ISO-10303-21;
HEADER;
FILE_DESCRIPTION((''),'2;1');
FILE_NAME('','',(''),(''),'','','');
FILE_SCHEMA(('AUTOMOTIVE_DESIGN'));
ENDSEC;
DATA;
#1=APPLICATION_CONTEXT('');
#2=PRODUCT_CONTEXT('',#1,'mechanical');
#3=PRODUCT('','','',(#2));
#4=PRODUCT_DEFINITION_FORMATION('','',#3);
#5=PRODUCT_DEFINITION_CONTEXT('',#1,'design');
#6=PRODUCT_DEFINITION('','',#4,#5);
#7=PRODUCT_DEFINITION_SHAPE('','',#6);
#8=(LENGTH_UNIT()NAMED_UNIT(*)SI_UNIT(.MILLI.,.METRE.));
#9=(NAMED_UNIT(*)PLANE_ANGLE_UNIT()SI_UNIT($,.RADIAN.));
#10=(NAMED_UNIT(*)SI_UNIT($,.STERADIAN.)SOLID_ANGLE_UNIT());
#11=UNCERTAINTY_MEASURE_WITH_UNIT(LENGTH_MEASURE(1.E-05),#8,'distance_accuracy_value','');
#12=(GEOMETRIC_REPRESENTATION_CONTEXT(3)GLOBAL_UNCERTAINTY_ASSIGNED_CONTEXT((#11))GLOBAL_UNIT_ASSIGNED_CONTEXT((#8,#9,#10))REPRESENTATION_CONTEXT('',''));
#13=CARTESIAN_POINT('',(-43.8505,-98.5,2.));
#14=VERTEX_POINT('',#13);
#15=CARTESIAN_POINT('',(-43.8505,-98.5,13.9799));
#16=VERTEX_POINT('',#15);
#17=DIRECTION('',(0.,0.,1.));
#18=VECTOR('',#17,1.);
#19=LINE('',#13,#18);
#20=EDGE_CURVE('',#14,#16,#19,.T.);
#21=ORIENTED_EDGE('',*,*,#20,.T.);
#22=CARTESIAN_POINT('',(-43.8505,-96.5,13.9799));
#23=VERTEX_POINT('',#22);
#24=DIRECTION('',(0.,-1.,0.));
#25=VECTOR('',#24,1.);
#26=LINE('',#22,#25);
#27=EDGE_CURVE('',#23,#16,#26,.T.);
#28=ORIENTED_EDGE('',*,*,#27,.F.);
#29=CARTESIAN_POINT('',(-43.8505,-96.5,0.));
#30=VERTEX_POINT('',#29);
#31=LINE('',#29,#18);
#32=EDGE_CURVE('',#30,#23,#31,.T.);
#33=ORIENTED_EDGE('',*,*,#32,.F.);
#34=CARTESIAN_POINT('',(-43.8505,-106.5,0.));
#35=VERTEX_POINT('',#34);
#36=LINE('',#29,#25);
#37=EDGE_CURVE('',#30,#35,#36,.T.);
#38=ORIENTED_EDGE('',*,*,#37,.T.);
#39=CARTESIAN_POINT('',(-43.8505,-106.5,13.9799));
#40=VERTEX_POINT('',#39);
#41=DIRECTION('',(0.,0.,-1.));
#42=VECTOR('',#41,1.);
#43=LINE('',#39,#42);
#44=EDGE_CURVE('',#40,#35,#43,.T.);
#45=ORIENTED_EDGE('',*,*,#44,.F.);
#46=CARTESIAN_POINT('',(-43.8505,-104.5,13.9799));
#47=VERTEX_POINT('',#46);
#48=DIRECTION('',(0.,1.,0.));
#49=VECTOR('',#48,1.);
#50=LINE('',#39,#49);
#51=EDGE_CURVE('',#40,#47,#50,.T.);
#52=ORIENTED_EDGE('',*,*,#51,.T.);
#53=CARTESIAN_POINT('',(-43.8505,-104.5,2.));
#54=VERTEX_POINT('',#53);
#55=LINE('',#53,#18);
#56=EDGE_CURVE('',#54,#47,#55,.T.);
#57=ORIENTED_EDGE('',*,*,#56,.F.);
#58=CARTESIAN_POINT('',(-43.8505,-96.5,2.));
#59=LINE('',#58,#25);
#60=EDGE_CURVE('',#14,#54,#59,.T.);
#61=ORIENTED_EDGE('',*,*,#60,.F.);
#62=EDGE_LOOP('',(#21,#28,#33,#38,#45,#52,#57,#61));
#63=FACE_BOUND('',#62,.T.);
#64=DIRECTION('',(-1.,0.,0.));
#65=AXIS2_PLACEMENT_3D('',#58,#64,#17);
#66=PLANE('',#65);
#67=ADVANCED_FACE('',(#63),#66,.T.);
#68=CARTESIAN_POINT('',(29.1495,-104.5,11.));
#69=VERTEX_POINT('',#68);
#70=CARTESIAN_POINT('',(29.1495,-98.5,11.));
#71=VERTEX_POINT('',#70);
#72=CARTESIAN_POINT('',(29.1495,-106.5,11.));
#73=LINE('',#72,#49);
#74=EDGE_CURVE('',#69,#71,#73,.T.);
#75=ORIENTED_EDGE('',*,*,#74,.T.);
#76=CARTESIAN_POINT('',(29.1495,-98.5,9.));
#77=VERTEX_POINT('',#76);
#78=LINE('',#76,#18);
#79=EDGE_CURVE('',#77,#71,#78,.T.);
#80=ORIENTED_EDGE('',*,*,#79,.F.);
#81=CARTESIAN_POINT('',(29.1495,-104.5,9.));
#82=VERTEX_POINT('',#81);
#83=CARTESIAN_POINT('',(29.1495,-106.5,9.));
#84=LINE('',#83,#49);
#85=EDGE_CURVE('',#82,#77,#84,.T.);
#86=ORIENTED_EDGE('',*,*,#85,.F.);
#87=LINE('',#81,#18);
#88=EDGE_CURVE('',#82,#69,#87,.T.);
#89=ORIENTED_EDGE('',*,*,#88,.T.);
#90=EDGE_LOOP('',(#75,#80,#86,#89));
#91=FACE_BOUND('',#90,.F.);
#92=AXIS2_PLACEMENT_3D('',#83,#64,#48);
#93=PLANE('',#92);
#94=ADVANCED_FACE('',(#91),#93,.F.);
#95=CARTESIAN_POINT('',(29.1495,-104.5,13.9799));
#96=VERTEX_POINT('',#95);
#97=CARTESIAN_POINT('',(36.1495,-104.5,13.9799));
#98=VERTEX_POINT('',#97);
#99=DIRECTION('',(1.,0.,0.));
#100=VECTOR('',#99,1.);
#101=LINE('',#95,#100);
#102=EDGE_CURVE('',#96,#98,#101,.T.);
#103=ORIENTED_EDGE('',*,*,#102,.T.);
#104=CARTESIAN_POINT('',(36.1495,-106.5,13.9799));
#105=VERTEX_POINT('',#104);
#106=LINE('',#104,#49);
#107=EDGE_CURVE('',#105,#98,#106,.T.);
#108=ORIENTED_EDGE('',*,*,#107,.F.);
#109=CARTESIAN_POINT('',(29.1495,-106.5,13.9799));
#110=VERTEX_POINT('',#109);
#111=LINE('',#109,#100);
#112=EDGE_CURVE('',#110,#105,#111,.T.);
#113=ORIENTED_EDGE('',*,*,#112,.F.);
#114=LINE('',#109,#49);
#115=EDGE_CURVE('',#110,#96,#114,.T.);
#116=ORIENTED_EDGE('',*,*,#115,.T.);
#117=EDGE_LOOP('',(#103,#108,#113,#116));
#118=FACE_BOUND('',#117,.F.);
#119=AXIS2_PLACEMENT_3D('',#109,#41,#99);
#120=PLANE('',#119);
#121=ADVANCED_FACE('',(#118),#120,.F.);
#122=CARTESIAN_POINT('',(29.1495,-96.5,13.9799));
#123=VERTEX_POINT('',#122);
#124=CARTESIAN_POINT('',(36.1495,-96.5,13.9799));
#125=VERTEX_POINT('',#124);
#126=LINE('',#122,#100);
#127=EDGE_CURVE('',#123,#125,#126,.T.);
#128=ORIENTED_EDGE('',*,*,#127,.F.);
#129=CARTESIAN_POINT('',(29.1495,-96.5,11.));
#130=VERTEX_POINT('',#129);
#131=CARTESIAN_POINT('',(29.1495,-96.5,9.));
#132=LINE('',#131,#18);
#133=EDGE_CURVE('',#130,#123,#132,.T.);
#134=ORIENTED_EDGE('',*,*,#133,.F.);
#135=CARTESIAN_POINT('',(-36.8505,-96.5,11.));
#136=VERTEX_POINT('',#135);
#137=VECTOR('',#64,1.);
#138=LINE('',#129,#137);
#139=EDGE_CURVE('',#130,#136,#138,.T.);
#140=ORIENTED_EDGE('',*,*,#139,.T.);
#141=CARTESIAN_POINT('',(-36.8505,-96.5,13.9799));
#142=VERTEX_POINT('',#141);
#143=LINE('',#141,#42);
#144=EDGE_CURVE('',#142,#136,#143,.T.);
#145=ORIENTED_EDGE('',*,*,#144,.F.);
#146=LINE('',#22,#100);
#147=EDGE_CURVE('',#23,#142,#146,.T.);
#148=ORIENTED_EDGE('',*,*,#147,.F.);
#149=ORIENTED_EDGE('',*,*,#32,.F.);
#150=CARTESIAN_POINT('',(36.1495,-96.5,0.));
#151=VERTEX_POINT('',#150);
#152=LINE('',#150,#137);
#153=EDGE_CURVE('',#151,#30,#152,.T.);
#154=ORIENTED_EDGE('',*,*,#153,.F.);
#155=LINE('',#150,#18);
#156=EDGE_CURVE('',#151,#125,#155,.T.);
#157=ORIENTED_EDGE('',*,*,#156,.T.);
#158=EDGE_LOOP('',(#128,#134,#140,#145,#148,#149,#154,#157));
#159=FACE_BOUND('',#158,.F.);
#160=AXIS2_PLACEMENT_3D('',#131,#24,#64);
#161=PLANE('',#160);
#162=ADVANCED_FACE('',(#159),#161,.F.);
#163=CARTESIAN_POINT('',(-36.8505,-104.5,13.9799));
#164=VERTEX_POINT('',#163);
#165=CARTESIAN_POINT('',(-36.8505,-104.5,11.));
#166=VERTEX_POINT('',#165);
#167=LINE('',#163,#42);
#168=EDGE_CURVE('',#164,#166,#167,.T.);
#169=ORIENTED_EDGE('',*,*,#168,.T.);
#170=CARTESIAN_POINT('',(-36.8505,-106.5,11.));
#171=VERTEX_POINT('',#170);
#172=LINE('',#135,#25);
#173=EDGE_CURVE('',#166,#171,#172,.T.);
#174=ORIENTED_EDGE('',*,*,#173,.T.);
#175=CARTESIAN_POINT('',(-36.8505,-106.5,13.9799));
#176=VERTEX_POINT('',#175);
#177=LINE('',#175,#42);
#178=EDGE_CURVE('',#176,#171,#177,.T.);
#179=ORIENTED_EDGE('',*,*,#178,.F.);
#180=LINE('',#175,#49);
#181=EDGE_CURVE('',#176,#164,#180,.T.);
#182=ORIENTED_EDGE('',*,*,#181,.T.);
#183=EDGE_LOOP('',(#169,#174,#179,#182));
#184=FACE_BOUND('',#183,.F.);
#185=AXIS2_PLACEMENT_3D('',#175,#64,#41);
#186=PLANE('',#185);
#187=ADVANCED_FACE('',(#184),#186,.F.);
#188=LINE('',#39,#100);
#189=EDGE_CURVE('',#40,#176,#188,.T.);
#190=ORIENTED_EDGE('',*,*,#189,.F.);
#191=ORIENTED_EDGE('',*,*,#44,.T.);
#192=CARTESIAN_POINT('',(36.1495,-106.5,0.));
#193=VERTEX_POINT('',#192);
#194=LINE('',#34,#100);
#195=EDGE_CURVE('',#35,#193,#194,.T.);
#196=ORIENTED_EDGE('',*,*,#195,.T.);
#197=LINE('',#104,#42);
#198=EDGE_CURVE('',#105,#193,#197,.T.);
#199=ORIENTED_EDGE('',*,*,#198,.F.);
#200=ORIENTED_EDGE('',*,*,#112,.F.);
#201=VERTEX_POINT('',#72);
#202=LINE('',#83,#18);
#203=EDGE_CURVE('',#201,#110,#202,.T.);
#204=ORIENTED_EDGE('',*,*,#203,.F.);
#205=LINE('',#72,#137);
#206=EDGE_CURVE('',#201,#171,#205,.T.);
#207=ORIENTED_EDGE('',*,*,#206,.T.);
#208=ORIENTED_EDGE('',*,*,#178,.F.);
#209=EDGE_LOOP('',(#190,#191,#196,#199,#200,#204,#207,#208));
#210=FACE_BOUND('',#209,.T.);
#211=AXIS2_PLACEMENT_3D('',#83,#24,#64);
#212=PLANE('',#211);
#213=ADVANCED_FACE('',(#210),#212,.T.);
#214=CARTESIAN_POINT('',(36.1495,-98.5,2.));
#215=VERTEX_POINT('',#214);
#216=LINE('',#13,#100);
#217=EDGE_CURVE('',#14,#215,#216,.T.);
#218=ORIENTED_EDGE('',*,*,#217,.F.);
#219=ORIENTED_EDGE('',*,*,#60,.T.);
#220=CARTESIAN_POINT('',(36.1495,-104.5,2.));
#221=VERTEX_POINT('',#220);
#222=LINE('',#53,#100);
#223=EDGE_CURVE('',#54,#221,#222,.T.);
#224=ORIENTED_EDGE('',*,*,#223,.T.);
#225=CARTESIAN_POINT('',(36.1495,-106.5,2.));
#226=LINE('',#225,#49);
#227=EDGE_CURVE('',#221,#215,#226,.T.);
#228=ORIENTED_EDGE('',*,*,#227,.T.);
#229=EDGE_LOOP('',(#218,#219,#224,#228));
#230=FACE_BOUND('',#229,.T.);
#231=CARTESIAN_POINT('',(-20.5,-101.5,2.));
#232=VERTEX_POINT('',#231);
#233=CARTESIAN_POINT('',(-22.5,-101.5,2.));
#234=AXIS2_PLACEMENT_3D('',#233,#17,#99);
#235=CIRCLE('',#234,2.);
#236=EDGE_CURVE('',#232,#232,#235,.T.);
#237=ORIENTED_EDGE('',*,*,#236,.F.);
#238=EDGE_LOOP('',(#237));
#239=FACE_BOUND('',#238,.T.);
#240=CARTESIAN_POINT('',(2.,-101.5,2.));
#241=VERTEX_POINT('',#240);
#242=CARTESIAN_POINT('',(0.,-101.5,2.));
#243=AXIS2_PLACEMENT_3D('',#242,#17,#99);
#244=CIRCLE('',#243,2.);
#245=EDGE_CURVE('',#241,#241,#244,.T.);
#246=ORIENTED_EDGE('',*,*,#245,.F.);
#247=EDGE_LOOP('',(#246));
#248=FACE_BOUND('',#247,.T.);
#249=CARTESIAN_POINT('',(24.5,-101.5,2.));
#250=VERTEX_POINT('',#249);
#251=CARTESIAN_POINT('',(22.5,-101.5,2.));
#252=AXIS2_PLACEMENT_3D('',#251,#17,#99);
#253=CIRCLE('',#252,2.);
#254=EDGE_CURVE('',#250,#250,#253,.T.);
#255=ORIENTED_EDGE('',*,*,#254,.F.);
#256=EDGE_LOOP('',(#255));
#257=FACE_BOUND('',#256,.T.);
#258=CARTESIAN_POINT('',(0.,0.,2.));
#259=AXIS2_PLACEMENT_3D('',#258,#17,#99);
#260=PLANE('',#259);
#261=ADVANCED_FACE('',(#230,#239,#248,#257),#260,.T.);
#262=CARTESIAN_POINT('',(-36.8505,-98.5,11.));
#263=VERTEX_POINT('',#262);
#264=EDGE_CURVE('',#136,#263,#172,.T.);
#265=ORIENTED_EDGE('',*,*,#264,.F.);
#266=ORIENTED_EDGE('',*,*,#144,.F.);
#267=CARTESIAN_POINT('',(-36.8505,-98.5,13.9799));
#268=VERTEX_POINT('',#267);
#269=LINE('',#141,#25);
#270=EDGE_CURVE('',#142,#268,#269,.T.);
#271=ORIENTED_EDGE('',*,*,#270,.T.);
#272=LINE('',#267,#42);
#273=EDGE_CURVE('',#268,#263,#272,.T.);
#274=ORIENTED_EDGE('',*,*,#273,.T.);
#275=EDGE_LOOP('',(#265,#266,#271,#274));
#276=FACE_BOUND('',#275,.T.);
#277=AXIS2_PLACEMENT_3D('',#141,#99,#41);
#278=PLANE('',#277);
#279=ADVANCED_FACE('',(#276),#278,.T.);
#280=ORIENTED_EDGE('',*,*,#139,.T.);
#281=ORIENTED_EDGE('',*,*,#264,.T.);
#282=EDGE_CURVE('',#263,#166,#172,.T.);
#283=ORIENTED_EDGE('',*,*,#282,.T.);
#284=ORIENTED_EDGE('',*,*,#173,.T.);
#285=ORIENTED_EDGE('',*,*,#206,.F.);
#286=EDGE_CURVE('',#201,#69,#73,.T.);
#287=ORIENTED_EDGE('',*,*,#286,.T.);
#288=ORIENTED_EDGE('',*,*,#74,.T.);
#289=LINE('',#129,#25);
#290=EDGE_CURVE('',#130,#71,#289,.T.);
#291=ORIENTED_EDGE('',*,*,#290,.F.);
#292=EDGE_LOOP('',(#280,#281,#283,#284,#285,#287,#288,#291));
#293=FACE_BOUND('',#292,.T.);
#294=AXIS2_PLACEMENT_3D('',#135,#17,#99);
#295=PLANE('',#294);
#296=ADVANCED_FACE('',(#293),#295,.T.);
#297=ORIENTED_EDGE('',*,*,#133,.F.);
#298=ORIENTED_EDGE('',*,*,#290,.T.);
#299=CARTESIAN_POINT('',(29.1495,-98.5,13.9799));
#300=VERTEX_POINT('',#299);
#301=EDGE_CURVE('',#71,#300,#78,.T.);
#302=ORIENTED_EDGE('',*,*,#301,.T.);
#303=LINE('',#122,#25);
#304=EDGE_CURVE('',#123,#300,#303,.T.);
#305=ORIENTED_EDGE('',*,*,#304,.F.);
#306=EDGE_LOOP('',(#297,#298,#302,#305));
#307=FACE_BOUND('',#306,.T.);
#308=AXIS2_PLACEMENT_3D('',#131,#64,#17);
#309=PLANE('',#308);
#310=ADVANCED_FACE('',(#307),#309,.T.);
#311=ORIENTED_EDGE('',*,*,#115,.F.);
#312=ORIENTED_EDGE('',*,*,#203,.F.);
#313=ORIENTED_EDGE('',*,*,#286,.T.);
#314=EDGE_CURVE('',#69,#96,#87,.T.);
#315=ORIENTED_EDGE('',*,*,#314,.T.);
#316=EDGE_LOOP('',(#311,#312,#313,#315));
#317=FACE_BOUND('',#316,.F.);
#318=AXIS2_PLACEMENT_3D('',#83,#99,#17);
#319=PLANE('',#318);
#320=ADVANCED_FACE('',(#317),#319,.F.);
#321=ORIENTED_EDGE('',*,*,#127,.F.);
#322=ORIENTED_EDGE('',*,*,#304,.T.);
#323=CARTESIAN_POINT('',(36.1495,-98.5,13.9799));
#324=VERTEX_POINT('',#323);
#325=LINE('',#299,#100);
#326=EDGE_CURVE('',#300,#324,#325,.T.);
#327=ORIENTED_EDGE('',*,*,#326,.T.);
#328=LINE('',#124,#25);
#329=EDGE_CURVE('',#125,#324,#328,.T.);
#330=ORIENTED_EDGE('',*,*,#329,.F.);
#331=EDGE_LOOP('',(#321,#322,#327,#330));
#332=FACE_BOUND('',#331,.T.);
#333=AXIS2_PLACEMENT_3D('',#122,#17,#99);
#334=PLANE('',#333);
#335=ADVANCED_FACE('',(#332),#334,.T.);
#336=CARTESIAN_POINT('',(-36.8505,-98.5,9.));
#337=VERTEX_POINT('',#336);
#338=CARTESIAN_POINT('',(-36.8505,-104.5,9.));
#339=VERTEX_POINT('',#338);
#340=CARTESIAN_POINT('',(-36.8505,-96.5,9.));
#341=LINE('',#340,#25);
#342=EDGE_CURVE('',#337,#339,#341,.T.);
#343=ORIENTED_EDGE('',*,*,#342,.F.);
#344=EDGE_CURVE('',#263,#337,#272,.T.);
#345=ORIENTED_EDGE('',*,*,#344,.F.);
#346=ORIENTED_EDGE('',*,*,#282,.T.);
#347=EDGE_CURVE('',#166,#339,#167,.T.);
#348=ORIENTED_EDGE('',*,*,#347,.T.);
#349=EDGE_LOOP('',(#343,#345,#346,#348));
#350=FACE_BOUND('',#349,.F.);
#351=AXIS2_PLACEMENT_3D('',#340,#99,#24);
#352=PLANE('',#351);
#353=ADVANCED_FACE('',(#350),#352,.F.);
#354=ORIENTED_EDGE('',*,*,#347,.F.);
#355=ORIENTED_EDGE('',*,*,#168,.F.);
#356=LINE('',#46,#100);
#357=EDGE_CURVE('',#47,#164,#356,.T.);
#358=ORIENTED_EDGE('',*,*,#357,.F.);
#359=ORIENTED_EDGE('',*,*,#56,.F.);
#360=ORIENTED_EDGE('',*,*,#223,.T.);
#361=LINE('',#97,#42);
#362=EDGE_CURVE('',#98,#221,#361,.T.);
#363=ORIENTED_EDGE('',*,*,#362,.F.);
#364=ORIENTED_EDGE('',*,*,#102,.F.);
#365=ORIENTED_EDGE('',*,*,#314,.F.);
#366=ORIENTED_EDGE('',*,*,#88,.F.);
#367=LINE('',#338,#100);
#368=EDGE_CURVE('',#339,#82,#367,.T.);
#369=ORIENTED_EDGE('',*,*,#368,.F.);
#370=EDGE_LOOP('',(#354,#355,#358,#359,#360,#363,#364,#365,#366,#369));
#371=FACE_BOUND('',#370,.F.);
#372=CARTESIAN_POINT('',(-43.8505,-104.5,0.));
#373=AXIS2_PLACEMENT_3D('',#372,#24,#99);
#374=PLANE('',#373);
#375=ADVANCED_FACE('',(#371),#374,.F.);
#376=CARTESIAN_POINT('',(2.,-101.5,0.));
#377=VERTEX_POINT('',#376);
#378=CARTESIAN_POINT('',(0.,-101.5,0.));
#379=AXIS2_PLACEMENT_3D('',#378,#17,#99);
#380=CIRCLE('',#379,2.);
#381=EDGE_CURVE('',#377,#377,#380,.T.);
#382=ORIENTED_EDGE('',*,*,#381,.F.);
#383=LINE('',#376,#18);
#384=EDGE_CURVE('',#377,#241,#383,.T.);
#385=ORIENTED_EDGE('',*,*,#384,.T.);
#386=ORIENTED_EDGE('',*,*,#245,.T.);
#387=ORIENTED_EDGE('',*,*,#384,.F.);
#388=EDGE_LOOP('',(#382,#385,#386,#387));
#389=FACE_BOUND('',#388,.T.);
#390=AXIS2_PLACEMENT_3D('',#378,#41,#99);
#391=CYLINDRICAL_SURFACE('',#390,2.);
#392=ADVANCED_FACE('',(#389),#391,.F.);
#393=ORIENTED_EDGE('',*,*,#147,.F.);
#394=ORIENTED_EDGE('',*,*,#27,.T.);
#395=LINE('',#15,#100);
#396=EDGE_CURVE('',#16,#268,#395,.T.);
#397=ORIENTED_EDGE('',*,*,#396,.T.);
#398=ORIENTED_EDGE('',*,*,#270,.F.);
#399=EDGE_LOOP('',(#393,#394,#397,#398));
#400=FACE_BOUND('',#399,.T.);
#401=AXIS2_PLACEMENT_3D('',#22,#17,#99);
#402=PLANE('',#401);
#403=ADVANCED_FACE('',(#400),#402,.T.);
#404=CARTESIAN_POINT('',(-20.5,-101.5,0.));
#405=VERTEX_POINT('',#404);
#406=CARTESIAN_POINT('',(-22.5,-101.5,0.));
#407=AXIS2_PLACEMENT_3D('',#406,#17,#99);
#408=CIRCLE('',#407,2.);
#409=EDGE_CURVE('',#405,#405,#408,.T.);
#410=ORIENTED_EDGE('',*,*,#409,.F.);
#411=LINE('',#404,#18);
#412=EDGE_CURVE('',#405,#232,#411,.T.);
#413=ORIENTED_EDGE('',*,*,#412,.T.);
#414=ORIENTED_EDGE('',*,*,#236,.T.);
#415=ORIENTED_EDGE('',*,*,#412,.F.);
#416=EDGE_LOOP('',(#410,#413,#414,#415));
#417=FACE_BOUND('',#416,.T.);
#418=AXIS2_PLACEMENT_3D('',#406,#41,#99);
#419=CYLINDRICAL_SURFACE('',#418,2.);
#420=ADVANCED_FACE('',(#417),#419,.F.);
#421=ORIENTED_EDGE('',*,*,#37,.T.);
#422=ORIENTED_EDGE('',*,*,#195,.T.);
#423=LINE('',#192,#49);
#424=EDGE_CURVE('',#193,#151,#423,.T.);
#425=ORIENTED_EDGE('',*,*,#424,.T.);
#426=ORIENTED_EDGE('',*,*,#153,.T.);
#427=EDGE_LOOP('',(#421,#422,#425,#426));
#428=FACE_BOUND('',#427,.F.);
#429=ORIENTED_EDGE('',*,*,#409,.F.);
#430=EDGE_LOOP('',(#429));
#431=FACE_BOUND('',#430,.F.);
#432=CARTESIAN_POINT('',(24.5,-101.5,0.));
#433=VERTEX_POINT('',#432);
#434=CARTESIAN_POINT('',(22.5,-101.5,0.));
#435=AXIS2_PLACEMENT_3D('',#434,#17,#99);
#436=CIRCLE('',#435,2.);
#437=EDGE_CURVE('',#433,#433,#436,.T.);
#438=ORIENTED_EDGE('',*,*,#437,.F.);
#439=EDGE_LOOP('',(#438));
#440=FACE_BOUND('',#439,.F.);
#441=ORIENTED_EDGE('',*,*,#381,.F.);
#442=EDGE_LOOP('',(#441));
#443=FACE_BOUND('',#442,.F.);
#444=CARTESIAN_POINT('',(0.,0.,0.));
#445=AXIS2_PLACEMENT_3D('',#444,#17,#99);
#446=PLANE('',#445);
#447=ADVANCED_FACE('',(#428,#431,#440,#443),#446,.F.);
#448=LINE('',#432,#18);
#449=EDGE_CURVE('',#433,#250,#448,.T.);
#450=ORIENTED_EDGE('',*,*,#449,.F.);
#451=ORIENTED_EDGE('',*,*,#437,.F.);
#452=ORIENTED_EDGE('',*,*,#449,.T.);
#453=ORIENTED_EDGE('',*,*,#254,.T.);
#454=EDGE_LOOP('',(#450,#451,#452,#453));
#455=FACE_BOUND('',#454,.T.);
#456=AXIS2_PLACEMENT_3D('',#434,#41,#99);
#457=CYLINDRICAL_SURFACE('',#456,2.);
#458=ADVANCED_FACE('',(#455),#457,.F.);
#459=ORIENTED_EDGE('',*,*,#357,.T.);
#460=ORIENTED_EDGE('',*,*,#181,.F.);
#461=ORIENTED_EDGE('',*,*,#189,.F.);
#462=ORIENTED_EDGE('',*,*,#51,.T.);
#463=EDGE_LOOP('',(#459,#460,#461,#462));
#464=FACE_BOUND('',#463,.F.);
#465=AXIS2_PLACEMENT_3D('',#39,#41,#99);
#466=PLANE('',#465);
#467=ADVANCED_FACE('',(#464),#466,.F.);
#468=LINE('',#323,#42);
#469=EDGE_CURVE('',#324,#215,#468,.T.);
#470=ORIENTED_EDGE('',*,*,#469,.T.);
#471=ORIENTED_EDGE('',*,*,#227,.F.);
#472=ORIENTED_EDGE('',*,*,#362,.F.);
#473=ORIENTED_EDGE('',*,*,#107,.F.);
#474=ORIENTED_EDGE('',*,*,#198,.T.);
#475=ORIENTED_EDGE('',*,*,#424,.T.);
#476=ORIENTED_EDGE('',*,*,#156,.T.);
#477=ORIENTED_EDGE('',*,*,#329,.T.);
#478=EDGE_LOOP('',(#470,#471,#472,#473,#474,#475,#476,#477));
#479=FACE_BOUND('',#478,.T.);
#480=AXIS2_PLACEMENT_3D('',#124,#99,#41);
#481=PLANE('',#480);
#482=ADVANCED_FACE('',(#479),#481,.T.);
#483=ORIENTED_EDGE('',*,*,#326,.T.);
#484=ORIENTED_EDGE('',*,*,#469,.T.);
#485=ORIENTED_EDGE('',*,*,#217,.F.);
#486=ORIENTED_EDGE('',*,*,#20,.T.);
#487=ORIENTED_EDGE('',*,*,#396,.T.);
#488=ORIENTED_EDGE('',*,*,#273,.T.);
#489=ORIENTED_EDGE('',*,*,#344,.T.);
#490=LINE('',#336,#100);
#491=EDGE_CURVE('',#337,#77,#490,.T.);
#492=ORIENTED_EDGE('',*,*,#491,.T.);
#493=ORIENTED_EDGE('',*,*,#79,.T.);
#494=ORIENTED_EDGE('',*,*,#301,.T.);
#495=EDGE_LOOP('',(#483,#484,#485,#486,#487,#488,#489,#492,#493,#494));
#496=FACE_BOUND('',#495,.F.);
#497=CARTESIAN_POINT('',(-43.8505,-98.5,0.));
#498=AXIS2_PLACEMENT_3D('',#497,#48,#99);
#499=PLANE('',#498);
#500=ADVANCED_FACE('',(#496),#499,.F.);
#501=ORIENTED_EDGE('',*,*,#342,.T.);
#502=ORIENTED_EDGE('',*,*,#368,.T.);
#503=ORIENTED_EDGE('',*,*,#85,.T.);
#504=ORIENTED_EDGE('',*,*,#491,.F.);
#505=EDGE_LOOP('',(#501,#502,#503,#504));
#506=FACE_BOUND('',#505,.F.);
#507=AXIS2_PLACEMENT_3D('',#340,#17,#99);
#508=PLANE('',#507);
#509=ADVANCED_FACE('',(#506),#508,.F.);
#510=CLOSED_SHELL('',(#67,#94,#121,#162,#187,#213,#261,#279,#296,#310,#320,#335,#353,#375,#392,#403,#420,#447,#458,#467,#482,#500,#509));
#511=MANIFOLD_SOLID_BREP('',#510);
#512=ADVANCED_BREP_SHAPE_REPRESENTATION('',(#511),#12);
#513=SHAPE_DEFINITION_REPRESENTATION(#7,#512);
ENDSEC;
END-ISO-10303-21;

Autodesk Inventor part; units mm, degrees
ref_plane "YZ Plane" through (0, 0, 0) normal (1, 0, 0) x (0, 1, 0)
ref_plane "XZ Plane" through (0, 0, 0) normal (0, 1, 0) x (-1, 0, 0)
ref_plane "XY Plane" through (0, 0, 0) normal (0, 0, 1) x (1, 0, 0)
ref_plane "РабПлоскость1" through (0, 0, 0) normal (0, 0, 1) x (1, 0, 0)
sketch "Эскиз1" plane through (0, 0, 0) normal (0, 0, 1) x (1, 0, 0)
  line L0 (36.1495, -96.5) -> (-43.8505, -96.5)
  line L1 (-43.8505, -96.5) -> (-43.8505, -106.5)
  line L2 (-43.8505, -106.5) -> (36.1495, -106.5)
  line L3 (36.1495, -106.5) -> (36.1495, -96.5)
  line L4 (22.5, -91.5) -> (-22.5, -91.5) projected
  circle A0 centre (0, -101.5) radius 2
  circle A1 centre (22.5, -101.5) radius 2
  circle A2 centre (-22.5, -101.5) radius 2
  point P0 (0, 0)
  dimension "d0" = 80
  dimension "d1" = 10
  dimension "d2" = 5
  dimension "d3" = 4
  dimension "d5" = 4
  dimension "d6" = 4
extrude "Выдавливание1" add sketch "Эскиз1" along normal blind 2
sketch "Эскиз2" plane through (0, 0, 2) normal (0, 0, 1) x (1, 0, 0)
  point P0 (0, 0)
sketch "Эскиз3" plane through (-43.8505, -106.5, 0) normal (0, -1, 0) x (1, 0, 0)
  line L0 (0, 0) -> (0, 2) projected
  line L1 (0, 2) -> (0, 13.9799)
  line L2 (0, 13.9799) -> (7, 13.9799)
  line L3 (7, 13.9799) -> (7, 9)
  line L4 (7, 9) -> (73, 9)
  line L5 (73, 9) -> (73, 13.9799)
  line L6 (73, 13.9799) -> (80, 13.9799)
  line L7 (80, 13.9799) -> (80, 2)
  line L8 (0, 2) -> (80, 2)
  point P0 (43.8505, 0)
  point P1 (80, 2)
  dimension "d9" = 7
  dimension "d10" = 7
  dimension "d15" = 7
extrude "Выдавливание2" add sketch "Эскиз3" against normal blind 2
sketch "Эскиз4" plane through (-43.8505, -96.5, 0) normal (0, 1, 0) x (1, 0, 0)
  line L0 (0, -2) -> (80, -2) projected
  line L1 (0, -2) -> (0, -13.9799) projected
  line L2 (0, -13.9799) -> (7, -13.9799) projected
  line L3 (7, -13.9799) -> (7, -9) projected
  line L4 (7, -9) -> (73, -9) projected
  line L5 (73, -9) -> (73, -13.9799) projected
  line L6 (73, -13.9799) -> (80, -13.9799) projected
  line L7 (80, -13.9799) -> (80, -2) projected
  point P0 (43.8505, 0)
extrude "Выдавливание3" add sketch "Эскиз4" against normal blind 2
sketch "Эскиз5" plane through (-36.8505, -96.5, 9) normal (0, 0, 1) x (1, 0, 0)
  line L0 (66, -10) -> (0, -10) projected
  line L1 (3.8262, -0.07) -> (63.012, -0.07)
  line L2 (63.012, -10) -> (3.8262, -10)
  line L3 (66, 0) -> (66, -2) projected
  line L4 (0, -10) -> (66, -10)
  line L5 (66, -10) -> (66, 0)
  line L6 (66, 0) -> (0, 0)
  line L7 (0, 0) -> (0, -10)
  point P0 (36.8505, 96.5)
extrude "Выдавливание4" add sketch "Эскиз5" along normal blind 2
properties part number "деталь держит провода"
